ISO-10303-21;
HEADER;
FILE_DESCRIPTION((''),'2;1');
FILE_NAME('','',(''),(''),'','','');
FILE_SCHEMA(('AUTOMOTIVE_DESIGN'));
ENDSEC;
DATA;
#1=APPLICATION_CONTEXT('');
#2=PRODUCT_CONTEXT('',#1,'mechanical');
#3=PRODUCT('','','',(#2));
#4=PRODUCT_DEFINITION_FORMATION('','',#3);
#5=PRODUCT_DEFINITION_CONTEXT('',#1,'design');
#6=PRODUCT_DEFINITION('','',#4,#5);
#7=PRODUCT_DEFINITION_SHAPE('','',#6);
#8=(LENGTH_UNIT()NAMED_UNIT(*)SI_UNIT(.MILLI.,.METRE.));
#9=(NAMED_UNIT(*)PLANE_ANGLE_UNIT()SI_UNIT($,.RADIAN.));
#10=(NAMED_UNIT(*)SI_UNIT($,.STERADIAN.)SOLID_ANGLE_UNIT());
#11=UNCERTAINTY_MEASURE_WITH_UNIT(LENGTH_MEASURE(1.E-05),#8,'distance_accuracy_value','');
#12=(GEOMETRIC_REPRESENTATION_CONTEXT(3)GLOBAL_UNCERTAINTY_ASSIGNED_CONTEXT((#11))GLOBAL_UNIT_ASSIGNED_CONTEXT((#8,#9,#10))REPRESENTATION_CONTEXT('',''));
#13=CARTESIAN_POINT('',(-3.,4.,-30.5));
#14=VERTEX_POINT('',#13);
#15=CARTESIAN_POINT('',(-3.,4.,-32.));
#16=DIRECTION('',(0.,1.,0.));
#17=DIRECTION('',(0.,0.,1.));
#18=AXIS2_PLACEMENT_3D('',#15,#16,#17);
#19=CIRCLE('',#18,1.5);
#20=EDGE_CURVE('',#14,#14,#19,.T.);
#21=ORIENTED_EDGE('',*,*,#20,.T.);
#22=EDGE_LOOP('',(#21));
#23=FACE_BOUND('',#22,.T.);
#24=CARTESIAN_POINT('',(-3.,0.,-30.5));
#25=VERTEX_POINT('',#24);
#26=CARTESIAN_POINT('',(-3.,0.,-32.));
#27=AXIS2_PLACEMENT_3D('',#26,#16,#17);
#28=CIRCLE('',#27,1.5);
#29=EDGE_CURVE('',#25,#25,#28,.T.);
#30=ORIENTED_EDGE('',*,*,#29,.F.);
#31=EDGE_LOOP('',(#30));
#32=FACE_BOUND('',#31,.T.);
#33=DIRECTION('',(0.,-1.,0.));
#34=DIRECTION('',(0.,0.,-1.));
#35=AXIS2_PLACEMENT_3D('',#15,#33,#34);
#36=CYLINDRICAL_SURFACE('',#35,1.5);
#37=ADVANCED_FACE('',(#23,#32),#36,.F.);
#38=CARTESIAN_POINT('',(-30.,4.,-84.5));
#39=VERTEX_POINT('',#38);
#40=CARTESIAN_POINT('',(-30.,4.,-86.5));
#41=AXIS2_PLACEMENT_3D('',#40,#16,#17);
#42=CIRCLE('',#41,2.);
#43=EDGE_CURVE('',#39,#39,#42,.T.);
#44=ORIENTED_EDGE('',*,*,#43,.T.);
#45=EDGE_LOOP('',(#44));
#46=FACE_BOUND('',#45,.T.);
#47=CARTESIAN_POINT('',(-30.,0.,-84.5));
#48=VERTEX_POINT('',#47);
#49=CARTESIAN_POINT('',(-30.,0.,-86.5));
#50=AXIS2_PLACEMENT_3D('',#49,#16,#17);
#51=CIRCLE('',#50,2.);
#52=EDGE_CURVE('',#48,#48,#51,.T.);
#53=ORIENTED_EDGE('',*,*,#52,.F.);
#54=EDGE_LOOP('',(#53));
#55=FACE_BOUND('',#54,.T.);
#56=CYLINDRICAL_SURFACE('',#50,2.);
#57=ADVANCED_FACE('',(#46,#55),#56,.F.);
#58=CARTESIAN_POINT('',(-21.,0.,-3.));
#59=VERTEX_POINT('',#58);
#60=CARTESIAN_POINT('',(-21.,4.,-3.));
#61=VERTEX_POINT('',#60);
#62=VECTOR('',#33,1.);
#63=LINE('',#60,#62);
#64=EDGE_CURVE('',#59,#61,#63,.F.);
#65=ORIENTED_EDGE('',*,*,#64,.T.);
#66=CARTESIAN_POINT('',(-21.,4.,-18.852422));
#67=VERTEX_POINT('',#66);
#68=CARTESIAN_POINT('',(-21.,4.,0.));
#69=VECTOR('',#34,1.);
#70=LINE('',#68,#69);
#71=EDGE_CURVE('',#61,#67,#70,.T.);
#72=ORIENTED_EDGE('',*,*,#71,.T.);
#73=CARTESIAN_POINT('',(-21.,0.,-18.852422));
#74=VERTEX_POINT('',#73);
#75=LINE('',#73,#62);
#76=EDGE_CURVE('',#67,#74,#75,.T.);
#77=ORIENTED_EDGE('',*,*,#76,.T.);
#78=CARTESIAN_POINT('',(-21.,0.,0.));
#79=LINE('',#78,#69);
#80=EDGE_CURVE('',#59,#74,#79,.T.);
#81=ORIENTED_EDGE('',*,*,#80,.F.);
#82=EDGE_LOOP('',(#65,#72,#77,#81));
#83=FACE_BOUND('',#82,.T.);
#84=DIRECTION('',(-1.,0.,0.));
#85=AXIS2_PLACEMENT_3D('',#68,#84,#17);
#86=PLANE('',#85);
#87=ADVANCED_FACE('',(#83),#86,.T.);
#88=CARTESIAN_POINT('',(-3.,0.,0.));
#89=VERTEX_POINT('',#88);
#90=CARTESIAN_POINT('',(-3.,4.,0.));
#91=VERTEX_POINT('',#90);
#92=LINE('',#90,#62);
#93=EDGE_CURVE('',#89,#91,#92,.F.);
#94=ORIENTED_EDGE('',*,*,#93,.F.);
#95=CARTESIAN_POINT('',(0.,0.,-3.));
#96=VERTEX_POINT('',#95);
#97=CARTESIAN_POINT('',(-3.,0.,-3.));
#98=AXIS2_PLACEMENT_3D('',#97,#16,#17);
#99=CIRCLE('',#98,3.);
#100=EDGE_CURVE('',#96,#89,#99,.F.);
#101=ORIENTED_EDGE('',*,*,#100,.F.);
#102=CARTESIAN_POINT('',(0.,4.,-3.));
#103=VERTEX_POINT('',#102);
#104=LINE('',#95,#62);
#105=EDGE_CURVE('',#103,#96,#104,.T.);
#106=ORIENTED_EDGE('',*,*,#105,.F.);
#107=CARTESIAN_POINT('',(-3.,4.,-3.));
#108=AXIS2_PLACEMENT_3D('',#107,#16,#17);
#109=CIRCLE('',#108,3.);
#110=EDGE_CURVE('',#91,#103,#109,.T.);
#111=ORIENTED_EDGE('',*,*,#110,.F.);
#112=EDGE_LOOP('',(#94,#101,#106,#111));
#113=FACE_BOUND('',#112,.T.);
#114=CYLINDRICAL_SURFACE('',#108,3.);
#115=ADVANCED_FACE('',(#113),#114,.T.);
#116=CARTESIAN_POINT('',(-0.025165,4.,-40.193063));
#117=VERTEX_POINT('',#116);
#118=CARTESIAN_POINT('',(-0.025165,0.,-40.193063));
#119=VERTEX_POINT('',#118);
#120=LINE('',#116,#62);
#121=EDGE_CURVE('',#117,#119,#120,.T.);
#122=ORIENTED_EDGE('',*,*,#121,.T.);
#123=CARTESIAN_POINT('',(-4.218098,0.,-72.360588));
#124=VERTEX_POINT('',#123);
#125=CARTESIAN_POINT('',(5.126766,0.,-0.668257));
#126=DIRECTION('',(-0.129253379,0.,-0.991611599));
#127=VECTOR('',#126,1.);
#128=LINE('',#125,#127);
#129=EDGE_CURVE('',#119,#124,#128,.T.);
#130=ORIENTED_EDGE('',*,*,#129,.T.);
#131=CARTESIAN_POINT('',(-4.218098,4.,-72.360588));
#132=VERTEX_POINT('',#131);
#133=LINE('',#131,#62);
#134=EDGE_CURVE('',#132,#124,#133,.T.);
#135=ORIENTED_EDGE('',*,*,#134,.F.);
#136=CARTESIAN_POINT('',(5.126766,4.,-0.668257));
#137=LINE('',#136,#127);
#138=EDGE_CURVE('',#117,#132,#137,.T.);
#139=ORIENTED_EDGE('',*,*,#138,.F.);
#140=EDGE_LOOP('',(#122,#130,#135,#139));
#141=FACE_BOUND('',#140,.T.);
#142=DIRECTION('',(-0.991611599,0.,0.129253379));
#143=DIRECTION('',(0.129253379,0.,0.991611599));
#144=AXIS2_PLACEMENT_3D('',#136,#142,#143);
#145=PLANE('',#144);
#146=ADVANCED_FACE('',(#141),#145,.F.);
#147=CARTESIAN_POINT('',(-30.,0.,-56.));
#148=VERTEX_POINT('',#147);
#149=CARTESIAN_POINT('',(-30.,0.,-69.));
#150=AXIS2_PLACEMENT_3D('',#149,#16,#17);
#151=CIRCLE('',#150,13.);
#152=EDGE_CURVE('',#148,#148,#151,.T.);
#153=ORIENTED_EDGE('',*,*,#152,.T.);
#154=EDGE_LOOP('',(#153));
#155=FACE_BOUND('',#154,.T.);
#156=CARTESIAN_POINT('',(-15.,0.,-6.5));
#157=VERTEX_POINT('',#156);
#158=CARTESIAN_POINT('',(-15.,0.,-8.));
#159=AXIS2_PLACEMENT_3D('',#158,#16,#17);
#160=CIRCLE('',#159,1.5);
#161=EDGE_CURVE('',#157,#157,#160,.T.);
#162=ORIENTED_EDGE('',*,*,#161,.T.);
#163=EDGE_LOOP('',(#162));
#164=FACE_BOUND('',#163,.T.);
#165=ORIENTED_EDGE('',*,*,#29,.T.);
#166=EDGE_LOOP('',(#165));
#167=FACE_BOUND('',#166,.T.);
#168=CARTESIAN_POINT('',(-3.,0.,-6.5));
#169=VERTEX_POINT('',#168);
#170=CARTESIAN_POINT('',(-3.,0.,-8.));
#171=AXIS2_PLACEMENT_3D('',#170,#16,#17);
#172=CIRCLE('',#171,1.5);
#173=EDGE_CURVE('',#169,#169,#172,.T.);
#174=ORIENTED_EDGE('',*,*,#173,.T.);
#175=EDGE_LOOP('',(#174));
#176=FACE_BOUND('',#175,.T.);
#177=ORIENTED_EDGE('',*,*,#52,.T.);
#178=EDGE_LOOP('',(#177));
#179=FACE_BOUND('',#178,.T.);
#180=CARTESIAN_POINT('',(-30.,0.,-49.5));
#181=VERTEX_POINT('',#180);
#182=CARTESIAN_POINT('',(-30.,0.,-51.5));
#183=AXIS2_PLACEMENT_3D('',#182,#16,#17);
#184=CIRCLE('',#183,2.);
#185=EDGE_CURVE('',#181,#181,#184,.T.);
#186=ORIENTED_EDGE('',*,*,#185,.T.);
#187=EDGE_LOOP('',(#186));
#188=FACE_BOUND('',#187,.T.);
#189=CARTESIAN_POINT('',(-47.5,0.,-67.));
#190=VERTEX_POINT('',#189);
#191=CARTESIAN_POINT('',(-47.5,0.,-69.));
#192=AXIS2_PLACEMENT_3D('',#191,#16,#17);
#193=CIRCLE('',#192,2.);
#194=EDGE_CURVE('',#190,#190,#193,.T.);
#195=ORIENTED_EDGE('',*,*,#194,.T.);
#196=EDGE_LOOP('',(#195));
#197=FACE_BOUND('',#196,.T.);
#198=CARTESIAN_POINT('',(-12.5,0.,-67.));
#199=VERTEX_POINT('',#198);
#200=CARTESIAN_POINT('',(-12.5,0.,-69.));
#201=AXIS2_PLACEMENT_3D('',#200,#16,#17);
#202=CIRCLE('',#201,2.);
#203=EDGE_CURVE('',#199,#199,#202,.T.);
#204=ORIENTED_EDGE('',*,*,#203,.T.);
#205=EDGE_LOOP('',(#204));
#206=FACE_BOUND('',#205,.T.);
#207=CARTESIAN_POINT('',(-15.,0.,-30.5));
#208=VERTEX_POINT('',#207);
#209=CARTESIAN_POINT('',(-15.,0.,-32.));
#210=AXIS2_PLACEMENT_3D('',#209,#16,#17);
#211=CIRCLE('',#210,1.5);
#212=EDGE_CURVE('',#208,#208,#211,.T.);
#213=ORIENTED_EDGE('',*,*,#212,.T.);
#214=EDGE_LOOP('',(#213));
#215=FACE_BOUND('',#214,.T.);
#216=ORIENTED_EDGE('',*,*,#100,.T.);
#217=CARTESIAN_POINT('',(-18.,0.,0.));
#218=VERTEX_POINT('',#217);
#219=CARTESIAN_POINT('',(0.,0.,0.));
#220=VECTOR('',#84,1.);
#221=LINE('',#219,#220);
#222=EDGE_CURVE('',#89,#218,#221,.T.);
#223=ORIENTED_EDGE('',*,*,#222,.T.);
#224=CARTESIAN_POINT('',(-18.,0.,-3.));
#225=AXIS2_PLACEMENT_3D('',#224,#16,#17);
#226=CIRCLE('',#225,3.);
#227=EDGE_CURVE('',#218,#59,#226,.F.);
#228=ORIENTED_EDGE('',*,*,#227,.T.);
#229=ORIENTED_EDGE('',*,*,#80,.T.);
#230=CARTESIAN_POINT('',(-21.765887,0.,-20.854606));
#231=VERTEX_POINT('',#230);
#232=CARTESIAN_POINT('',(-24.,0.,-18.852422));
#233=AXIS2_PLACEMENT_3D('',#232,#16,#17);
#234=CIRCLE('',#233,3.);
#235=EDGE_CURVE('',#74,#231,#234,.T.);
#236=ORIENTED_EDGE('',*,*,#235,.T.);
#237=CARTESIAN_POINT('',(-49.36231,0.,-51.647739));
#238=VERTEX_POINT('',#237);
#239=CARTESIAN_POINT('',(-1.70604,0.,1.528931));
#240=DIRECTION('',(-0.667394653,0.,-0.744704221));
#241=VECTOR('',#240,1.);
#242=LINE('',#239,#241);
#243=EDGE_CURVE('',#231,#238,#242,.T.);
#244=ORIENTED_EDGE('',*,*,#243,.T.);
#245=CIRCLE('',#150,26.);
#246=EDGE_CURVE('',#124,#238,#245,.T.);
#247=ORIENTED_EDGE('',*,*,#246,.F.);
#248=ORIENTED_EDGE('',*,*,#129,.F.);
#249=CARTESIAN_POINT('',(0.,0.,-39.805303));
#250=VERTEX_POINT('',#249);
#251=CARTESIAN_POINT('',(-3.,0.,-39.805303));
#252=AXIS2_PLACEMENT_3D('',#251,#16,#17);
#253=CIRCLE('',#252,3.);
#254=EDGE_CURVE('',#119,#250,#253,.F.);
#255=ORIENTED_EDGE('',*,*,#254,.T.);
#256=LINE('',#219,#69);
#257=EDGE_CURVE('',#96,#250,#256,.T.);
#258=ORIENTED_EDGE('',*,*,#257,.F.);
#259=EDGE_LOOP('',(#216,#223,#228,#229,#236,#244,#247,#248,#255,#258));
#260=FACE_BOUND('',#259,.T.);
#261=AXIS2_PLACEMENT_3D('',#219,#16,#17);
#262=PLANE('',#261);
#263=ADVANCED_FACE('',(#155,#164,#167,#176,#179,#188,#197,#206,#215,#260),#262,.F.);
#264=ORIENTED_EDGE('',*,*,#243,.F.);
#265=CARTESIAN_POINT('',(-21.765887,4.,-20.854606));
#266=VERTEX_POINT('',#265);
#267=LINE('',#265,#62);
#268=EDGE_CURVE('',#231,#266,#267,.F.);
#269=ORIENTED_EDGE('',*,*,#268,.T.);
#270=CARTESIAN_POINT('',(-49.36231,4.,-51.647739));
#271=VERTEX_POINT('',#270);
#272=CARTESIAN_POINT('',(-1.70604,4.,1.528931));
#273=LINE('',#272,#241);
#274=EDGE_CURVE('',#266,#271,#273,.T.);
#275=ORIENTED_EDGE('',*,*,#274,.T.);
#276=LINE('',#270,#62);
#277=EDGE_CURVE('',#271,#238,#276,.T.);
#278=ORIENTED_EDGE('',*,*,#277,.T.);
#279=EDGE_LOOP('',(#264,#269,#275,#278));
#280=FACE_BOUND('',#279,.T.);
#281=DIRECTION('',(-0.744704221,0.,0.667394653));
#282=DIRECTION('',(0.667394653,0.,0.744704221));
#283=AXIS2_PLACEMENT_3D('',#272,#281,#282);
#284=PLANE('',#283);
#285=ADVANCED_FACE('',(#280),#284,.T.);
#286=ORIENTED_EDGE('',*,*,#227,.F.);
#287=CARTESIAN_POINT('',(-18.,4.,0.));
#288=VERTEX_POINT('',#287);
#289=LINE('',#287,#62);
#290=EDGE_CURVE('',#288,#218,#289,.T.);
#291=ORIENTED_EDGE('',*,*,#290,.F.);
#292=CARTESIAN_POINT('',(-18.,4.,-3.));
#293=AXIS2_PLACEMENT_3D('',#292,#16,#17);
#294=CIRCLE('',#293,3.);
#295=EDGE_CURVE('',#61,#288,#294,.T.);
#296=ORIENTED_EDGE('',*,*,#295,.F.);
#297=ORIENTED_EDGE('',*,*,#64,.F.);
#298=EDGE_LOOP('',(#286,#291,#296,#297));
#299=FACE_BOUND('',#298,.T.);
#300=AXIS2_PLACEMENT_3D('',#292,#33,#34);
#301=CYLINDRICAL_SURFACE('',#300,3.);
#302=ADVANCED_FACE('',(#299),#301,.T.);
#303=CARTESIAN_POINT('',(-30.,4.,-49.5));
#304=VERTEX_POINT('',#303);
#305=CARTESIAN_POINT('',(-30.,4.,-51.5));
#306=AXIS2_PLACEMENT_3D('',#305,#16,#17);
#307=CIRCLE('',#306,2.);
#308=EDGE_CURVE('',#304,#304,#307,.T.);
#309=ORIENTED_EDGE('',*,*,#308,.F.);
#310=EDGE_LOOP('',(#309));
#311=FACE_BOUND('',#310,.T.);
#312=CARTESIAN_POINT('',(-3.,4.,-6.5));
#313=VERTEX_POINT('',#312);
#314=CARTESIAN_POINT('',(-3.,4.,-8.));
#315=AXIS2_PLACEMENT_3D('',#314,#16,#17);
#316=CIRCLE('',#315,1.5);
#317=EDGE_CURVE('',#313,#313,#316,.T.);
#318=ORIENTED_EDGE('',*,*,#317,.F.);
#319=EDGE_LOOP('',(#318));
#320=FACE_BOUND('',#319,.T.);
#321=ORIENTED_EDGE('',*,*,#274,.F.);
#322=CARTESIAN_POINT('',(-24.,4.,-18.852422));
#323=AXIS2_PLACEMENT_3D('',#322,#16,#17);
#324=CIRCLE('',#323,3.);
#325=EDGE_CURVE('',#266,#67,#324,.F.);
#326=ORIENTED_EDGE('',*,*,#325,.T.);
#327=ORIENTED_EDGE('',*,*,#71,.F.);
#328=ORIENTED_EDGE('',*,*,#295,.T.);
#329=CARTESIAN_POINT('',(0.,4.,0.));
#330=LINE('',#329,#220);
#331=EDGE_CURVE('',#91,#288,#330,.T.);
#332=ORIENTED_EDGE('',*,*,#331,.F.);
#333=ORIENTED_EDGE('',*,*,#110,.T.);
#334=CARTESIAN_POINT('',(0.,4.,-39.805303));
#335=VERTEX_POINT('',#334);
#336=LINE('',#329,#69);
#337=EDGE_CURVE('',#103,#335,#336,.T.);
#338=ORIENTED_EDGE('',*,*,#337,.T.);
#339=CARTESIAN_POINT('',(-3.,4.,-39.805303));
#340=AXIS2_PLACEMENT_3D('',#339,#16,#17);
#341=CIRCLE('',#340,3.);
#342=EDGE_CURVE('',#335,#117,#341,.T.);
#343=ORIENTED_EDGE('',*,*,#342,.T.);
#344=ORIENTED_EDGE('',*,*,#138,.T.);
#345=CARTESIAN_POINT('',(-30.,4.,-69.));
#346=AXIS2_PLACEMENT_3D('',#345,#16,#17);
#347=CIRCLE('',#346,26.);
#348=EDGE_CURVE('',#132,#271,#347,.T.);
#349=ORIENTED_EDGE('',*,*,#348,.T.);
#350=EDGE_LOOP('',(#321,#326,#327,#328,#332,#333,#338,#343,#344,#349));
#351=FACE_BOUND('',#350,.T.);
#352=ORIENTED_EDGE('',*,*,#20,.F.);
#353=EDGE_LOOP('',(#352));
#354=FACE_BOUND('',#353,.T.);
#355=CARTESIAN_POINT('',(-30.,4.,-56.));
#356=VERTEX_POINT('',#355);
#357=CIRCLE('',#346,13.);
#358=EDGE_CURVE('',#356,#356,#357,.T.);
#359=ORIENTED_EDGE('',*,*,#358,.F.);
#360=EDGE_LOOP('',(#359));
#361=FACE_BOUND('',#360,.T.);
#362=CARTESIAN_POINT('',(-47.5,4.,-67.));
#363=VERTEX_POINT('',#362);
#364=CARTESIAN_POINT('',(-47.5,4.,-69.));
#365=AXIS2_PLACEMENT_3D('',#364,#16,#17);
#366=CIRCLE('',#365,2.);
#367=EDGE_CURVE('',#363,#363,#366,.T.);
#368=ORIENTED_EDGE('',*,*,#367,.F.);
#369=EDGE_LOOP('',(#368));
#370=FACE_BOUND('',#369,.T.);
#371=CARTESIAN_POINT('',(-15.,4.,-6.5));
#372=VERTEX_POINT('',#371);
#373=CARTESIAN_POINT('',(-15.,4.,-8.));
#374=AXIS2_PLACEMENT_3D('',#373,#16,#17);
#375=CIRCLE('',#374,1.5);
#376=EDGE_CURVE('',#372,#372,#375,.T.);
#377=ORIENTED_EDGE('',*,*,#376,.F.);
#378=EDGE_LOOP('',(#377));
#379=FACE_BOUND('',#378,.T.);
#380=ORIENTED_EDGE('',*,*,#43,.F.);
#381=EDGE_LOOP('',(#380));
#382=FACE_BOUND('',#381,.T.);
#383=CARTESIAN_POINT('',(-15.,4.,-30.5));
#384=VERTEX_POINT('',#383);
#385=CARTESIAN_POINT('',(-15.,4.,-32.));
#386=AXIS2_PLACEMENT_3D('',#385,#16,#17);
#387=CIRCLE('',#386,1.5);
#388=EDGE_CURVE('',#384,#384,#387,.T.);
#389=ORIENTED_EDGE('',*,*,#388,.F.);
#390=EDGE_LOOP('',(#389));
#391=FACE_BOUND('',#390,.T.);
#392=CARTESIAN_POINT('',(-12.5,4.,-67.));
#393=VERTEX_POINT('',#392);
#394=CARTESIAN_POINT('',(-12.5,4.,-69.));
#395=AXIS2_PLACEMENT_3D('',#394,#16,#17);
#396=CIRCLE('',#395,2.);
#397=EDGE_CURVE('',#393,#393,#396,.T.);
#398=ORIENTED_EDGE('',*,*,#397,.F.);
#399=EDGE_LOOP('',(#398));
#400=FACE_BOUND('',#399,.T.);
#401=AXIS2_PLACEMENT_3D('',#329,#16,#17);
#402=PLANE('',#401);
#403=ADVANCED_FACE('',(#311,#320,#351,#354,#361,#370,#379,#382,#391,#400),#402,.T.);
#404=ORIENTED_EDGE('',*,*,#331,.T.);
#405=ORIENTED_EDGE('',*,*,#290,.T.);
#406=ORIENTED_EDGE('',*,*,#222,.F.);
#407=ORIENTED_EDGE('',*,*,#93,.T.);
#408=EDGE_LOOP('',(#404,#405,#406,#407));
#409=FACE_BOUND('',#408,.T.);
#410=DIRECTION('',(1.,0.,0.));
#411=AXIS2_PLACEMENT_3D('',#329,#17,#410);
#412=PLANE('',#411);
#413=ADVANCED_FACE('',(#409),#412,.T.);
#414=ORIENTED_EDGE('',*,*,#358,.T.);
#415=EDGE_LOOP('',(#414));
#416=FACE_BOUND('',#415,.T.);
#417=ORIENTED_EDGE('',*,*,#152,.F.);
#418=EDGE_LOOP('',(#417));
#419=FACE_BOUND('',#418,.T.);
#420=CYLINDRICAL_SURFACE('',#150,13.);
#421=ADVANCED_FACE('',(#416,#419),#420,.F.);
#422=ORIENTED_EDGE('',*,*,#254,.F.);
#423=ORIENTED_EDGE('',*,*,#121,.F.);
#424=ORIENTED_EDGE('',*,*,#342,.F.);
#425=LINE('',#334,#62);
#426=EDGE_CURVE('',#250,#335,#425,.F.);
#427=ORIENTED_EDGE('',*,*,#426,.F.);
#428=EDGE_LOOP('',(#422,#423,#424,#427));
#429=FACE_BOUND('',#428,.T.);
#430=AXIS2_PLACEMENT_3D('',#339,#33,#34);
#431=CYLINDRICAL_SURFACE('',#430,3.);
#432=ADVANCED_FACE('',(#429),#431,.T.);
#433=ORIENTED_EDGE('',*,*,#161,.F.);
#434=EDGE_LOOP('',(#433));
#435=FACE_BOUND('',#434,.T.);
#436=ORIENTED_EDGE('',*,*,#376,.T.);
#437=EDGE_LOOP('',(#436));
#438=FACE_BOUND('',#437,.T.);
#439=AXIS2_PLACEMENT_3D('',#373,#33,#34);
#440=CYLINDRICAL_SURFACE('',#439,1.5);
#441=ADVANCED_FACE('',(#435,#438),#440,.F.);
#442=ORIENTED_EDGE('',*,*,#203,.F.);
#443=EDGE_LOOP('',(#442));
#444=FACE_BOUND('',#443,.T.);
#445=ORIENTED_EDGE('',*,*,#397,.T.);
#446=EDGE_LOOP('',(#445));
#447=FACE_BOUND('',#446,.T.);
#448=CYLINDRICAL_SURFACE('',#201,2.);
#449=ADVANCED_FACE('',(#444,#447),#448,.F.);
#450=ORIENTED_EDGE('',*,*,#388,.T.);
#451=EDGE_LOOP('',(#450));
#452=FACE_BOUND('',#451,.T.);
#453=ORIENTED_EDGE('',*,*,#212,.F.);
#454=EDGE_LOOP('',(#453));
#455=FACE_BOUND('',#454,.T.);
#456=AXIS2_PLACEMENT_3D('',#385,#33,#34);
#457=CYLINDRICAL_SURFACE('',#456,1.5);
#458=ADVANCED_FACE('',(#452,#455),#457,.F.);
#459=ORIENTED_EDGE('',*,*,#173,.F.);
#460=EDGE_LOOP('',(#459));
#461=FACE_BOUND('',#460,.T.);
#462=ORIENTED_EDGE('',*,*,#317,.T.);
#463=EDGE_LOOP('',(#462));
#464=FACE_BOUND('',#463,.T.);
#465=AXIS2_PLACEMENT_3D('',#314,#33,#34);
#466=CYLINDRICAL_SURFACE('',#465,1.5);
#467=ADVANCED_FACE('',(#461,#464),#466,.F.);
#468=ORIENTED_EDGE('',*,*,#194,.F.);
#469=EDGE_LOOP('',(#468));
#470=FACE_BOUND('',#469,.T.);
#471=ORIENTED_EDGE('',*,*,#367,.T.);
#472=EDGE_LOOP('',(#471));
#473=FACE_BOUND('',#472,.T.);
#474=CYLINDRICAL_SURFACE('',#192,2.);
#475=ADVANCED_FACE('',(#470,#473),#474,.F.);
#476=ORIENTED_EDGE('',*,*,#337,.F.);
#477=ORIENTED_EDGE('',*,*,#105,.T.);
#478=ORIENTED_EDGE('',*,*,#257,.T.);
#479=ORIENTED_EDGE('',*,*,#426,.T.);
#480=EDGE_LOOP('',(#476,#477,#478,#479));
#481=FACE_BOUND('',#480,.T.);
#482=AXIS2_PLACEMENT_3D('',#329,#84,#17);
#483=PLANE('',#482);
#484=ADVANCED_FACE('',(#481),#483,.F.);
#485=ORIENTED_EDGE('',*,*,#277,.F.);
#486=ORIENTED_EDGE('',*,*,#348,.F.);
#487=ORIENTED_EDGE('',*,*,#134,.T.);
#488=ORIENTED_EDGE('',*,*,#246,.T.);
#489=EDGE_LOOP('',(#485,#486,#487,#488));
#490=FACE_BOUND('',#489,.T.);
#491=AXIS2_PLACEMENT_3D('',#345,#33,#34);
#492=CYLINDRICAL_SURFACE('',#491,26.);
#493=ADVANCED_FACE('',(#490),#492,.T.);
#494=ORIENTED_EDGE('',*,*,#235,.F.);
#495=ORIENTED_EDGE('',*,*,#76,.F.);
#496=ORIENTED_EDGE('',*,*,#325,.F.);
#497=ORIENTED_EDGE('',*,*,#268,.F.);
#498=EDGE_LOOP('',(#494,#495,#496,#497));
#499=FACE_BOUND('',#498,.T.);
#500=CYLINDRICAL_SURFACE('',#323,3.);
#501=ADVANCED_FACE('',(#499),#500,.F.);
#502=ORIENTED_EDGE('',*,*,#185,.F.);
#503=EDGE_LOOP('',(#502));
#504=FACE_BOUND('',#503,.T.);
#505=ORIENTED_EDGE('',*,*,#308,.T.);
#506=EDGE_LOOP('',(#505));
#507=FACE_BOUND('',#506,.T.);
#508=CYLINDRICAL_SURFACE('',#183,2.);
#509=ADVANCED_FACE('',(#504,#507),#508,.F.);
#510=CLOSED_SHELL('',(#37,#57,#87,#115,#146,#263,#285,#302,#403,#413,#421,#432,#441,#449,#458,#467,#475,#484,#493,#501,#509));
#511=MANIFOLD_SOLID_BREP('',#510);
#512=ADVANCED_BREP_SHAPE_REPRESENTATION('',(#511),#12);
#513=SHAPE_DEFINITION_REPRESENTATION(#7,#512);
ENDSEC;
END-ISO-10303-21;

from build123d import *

# Parameters (mm, degrees)
SKETCH_1_R      = 26
SKETCH_1_R_2    = 21
SKETCH_1_W      = 21
SKETCH_1_H      = 40
SKETCH_1_R_3    = 1.5
EXTRUDE_1_DEPTH = 4
EXTRUDE_START   = -4
SKETCH_2_R      = 21
SKETCH_2_R_2    = 13
SKETCH_2_R_3    = 2
EXTRUDE_4_DEPTH = 4
FILLET_1_R      = 3


with BuildPart() as part:
    # 草图1 → 凸台-拉伸1 (new body)
    # profile 1 of 3: a face of its own
    with BuildSketch(Plane(origin=(0, 0, 0), x_dir=(1, 0, 0), z_dir=(0, 1, 0))):
        with Locations((-30, 69)):
            Circle(SKETCH_1_R)
        with Locations(Location((-30, 69, 0), (0, 0, 270))):
            Circle(SKETCH_1_R_2, mode=Mode.SUBTRACT)
    # profile 2 of 3: a face of its own
    with BuildSketch(Plane(origin=(0, 0, 0), x_dir=(1, 0, 0), z_dir=(0, 1, 0))):
        with BuildLine():
            Line((-21, 40), (0, 40))
            Line((0, 40), (-4.218098415, 72.360587846))
            ThreePointArc((-4.218098415, 72.360587846), (-4.054581896, 70.683828791), (-4, 69))
            ThreePointArc((-4, 69), (-20.710760355, 44.716054134), (-49.362309755, 51.647739025))
            Line((-49.362309755, 51.647739025), (-21, 20))
            Line((-21, 20), (-21, 40))
        make_face()
    # profile 3 of 3: a face of its own
    with BuildSketch(Plane(origin=(0, 0, 0), x_dir=(1, 0, 0), z_dir=(0, 1, 0))):
        with Locations((-10.5, 20)):
            Rectangle(SKETCH_1_W, SKETCH_1_H)
        with Locations(Location((-15, 8, 0), (0, 0, 270))):
            Circle(SKETCH_1_R_3, mode=Mode.SUBTRACT)
        with Locations(Location((-3, 8, 0), (0, 0, 270))):
            Circle(SKETCH_1_R_3, mode=Mode.SUBTRACT)
        with Locations(Location((-3, 32, 0), (0, 0, 270))):
            Circle(SKETCH_1_R_3, mode=Mode.SUBTRACT)
        with Locations(Location((-15, 32, 0), (0, 0, 270))):
            Circle(SKETCH_1_R_3, mode=Mode.SUBTRACT)
    extrude(amount=EXTRUDE_1_DEPTH)

    # 草图2 → 凸台-拉伸4 (add)
    with BuildSketch(Plane(origin=(0, 4, 0), x_dir=(1, 0, 0), z_dir=(0, 1, 0)).offset(EXTRUDE_START)):
        with Locations((-30, 69)):
            Circle(SKETCH_2_R)
        with Locations(Location((-30, 69, 0), (0, 0, 270))):
            Circle(SKETCH_2_R_2, mode=Mode.SUBTRACT)
        with Locations(Location((-12.5, 69, 0), (0, 0, 270))):
            Circle(SKETCH_2_R_3, mode=Mode.SUBTRACT)
        with Locations(Location((-30, 51.5, 0), (0, 0, 270))):
            Circle(SKETCH_2_R_3, mode=Mode.SUBTRACT)
        with Locations(Location((-47.5, 69, 0), (0, 0, 270))):
            Circle(SKETCH_2_R_3, mode=Mode.SUBTRACT)
        with Locations(Location((-30, 86.5, 0), (0, 0, 270))):
            Circle(SKETCH_2_R_3, mode=Mode.SUBTRACT)
    extrude(amount=EXTRUDE_4_DEPTH)

    # 圆角1
    fillet_1_edges = [part.edges().sort_by_distance(p)[0] for p in [
        (0, 2, -40),
        (0, 2, 0),
        (-21, 2, 0),
        (-21, 2, -20),
    ]]
    fillet(fillet_1_edges, radius=FILLET_1_R)


solid = part.part
